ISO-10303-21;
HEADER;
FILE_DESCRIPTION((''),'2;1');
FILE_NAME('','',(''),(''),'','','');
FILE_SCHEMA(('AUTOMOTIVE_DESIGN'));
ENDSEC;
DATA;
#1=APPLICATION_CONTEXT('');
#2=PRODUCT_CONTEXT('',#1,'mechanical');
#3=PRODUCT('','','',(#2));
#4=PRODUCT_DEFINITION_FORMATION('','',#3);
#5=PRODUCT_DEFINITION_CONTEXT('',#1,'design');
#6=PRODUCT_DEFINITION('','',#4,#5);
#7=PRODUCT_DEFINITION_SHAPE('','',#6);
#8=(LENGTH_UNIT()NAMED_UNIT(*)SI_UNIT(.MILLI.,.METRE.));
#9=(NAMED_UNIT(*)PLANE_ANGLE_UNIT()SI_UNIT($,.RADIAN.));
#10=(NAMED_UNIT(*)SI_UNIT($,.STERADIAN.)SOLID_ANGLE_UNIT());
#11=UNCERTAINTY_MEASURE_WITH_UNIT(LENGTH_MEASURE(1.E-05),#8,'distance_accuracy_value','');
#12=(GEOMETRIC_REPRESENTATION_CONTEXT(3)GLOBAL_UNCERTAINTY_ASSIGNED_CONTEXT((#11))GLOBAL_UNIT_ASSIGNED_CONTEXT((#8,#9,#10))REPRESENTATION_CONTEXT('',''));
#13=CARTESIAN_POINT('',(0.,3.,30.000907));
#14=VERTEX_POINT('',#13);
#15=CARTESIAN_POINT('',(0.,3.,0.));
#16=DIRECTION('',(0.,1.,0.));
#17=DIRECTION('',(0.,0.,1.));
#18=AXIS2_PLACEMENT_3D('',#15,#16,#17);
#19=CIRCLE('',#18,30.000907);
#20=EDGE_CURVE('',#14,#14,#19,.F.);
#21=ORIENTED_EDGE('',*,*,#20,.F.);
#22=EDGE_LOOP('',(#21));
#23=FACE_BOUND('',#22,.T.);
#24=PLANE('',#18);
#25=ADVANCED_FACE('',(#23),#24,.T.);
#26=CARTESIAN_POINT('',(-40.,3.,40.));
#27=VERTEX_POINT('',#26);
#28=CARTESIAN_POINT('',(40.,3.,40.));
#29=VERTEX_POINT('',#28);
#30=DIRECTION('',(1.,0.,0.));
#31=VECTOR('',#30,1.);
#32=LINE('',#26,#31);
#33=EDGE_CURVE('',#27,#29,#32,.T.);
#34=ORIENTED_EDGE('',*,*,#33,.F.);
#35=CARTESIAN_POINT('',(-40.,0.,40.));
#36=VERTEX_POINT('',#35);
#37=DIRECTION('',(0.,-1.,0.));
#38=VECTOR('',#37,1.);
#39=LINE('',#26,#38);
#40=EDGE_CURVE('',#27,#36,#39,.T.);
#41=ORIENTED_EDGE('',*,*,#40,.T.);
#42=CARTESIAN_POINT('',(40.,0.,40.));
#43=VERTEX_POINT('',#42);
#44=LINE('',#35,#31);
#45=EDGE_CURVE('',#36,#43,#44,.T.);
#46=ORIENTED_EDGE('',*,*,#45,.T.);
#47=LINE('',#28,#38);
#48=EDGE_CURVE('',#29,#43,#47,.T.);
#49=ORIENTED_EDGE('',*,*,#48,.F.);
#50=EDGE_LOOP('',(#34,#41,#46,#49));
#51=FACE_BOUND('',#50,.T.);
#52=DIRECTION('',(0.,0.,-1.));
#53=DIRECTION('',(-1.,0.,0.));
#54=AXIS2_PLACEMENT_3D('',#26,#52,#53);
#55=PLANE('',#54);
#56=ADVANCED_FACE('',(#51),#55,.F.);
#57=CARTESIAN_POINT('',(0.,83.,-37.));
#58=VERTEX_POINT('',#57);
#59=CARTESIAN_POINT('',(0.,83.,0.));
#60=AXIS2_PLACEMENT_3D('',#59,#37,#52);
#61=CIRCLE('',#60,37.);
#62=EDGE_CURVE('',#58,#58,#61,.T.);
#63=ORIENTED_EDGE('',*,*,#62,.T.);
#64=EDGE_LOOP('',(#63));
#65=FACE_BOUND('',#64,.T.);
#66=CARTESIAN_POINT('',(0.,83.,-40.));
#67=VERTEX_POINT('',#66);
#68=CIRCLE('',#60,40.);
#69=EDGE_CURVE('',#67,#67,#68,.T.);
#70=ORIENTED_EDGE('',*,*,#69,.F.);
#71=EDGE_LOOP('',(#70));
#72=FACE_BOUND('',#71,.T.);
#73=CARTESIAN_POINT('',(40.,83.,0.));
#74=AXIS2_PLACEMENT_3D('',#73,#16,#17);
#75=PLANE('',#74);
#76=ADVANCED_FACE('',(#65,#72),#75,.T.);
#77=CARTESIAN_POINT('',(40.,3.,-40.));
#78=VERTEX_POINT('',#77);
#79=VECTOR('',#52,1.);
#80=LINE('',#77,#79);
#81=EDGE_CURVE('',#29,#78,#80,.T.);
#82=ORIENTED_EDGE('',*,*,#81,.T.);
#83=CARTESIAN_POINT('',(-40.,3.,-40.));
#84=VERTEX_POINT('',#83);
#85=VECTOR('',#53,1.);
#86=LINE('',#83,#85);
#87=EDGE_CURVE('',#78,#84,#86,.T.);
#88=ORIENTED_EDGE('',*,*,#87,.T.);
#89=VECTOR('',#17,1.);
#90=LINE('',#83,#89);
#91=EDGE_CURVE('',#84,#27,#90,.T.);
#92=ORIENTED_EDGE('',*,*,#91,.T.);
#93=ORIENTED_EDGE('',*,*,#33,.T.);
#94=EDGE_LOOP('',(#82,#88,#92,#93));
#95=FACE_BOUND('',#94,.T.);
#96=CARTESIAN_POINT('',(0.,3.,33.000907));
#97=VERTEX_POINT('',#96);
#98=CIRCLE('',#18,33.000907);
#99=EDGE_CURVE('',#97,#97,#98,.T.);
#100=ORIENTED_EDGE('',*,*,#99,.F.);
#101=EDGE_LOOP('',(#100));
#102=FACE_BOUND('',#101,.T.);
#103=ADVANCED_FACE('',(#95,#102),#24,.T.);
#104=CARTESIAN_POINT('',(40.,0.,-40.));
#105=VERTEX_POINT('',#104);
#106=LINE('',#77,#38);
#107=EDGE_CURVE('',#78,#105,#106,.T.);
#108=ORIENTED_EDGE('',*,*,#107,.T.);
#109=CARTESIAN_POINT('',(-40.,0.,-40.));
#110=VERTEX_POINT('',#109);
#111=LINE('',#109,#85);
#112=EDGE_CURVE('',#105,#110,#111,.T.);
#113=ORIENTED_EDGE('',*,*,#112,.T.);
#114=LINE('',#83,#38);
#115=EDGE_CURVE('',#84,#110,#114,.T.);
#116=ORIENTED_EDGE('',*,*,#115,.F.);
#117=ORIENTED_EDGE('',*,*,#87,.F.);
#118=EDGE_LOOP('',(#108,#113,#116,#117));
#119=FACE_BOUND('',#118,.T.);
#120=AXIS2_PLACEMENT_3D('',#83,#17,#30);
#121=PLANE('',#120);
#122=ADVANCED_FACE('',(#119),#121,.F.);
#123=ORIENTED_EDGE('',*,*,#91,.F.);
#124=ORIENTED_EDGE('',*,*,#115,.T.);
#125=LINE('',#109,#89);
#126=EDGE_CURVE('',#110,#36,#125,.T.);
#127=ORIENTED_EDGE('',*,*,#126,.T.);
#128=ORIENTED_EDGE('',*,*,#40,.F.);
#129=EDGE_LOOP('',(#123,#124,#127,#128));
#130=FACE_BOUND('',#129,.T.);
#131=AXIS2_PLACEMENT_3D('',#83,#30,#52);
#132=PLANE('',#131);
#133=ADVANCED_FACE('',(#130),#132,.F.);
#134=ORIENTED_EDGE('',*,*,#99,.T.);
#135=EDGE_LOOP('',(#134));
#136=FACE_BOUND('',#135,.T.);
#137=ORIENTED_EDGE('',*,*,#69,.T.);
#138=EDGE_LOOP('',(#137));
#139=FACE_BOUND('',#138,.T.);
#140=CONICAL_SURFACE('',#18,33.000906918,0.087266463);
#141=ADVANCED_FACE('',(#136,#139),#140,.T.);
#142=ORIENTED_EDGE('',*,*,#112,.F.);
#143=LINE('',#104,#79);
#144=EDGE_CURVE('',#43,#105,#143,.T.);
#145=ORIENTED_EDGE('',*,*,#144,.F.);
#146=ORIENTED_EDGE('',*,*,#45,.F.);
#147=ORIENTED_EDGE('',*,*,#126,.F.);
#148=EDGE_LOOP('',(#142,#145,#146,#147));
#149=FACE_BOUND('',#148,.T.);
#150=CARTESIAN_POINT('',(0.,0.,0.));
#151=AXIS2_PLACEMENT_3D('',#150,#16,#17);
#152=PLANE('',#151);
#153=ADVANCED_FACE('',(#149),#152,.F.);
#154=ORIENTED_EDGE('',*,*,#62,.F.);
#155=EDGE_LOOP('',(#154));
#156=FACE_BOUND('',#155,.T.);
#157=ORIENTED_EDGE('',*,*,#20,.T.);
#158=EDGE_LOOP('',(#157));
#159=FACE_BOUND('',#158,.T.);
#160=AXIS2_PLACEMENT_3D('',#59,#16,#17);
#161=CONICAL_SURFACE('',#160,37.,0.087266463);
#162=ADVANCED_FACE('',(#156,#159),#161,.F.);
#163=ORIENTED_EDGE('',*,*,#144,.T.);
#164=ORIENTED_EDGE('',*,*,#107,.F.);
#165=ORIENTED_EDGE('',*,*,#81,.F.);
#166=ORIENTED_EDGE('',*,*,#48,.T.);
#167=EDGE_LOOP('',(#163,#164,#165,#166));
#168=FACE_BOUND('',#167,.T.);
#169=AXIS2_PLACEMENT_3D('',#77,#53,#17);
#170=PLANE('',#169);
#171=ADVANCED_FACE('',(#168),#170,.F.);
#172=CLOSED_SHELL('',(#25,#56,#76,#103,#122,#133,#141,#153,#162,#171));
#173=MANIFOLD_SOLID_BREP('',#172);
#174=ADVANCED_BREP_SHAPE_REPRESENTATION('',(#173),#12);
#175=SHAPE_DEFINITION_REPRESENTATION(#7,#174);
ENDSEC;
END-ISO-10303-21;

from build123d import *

# Parameters (mm, degrees)
ESQUISSE3_W        = 80
ESQUISSE3_H        = 80
BOSS_EXTRU_1_DEPTH = 3


with BuildPart() as part:
    # Esquisse3 → Boss.-Extru.1 (new body)
    with BuildSketch(Plane(origin=(0, 0, 0), x_dir=(1, 0, 0), z_dir=(0, 1, 0))):
        Rectangle(ESQUISSE3_W, ESQUISSE3_H)
    extrude(amount=BOSS_EXTRU_1_DEPTH)

    # Esquisse4 → Révolution1 (revolve)
    with BuildSketch(Plane.XY):
        Polygon((33.000906918, 3), (40, 83), (37, 83), (30.000906918, 3), align=None)
    revolve(axis=Axis((0, 5.327964133, 0), (0, 1, 0)))


solid = part.part
